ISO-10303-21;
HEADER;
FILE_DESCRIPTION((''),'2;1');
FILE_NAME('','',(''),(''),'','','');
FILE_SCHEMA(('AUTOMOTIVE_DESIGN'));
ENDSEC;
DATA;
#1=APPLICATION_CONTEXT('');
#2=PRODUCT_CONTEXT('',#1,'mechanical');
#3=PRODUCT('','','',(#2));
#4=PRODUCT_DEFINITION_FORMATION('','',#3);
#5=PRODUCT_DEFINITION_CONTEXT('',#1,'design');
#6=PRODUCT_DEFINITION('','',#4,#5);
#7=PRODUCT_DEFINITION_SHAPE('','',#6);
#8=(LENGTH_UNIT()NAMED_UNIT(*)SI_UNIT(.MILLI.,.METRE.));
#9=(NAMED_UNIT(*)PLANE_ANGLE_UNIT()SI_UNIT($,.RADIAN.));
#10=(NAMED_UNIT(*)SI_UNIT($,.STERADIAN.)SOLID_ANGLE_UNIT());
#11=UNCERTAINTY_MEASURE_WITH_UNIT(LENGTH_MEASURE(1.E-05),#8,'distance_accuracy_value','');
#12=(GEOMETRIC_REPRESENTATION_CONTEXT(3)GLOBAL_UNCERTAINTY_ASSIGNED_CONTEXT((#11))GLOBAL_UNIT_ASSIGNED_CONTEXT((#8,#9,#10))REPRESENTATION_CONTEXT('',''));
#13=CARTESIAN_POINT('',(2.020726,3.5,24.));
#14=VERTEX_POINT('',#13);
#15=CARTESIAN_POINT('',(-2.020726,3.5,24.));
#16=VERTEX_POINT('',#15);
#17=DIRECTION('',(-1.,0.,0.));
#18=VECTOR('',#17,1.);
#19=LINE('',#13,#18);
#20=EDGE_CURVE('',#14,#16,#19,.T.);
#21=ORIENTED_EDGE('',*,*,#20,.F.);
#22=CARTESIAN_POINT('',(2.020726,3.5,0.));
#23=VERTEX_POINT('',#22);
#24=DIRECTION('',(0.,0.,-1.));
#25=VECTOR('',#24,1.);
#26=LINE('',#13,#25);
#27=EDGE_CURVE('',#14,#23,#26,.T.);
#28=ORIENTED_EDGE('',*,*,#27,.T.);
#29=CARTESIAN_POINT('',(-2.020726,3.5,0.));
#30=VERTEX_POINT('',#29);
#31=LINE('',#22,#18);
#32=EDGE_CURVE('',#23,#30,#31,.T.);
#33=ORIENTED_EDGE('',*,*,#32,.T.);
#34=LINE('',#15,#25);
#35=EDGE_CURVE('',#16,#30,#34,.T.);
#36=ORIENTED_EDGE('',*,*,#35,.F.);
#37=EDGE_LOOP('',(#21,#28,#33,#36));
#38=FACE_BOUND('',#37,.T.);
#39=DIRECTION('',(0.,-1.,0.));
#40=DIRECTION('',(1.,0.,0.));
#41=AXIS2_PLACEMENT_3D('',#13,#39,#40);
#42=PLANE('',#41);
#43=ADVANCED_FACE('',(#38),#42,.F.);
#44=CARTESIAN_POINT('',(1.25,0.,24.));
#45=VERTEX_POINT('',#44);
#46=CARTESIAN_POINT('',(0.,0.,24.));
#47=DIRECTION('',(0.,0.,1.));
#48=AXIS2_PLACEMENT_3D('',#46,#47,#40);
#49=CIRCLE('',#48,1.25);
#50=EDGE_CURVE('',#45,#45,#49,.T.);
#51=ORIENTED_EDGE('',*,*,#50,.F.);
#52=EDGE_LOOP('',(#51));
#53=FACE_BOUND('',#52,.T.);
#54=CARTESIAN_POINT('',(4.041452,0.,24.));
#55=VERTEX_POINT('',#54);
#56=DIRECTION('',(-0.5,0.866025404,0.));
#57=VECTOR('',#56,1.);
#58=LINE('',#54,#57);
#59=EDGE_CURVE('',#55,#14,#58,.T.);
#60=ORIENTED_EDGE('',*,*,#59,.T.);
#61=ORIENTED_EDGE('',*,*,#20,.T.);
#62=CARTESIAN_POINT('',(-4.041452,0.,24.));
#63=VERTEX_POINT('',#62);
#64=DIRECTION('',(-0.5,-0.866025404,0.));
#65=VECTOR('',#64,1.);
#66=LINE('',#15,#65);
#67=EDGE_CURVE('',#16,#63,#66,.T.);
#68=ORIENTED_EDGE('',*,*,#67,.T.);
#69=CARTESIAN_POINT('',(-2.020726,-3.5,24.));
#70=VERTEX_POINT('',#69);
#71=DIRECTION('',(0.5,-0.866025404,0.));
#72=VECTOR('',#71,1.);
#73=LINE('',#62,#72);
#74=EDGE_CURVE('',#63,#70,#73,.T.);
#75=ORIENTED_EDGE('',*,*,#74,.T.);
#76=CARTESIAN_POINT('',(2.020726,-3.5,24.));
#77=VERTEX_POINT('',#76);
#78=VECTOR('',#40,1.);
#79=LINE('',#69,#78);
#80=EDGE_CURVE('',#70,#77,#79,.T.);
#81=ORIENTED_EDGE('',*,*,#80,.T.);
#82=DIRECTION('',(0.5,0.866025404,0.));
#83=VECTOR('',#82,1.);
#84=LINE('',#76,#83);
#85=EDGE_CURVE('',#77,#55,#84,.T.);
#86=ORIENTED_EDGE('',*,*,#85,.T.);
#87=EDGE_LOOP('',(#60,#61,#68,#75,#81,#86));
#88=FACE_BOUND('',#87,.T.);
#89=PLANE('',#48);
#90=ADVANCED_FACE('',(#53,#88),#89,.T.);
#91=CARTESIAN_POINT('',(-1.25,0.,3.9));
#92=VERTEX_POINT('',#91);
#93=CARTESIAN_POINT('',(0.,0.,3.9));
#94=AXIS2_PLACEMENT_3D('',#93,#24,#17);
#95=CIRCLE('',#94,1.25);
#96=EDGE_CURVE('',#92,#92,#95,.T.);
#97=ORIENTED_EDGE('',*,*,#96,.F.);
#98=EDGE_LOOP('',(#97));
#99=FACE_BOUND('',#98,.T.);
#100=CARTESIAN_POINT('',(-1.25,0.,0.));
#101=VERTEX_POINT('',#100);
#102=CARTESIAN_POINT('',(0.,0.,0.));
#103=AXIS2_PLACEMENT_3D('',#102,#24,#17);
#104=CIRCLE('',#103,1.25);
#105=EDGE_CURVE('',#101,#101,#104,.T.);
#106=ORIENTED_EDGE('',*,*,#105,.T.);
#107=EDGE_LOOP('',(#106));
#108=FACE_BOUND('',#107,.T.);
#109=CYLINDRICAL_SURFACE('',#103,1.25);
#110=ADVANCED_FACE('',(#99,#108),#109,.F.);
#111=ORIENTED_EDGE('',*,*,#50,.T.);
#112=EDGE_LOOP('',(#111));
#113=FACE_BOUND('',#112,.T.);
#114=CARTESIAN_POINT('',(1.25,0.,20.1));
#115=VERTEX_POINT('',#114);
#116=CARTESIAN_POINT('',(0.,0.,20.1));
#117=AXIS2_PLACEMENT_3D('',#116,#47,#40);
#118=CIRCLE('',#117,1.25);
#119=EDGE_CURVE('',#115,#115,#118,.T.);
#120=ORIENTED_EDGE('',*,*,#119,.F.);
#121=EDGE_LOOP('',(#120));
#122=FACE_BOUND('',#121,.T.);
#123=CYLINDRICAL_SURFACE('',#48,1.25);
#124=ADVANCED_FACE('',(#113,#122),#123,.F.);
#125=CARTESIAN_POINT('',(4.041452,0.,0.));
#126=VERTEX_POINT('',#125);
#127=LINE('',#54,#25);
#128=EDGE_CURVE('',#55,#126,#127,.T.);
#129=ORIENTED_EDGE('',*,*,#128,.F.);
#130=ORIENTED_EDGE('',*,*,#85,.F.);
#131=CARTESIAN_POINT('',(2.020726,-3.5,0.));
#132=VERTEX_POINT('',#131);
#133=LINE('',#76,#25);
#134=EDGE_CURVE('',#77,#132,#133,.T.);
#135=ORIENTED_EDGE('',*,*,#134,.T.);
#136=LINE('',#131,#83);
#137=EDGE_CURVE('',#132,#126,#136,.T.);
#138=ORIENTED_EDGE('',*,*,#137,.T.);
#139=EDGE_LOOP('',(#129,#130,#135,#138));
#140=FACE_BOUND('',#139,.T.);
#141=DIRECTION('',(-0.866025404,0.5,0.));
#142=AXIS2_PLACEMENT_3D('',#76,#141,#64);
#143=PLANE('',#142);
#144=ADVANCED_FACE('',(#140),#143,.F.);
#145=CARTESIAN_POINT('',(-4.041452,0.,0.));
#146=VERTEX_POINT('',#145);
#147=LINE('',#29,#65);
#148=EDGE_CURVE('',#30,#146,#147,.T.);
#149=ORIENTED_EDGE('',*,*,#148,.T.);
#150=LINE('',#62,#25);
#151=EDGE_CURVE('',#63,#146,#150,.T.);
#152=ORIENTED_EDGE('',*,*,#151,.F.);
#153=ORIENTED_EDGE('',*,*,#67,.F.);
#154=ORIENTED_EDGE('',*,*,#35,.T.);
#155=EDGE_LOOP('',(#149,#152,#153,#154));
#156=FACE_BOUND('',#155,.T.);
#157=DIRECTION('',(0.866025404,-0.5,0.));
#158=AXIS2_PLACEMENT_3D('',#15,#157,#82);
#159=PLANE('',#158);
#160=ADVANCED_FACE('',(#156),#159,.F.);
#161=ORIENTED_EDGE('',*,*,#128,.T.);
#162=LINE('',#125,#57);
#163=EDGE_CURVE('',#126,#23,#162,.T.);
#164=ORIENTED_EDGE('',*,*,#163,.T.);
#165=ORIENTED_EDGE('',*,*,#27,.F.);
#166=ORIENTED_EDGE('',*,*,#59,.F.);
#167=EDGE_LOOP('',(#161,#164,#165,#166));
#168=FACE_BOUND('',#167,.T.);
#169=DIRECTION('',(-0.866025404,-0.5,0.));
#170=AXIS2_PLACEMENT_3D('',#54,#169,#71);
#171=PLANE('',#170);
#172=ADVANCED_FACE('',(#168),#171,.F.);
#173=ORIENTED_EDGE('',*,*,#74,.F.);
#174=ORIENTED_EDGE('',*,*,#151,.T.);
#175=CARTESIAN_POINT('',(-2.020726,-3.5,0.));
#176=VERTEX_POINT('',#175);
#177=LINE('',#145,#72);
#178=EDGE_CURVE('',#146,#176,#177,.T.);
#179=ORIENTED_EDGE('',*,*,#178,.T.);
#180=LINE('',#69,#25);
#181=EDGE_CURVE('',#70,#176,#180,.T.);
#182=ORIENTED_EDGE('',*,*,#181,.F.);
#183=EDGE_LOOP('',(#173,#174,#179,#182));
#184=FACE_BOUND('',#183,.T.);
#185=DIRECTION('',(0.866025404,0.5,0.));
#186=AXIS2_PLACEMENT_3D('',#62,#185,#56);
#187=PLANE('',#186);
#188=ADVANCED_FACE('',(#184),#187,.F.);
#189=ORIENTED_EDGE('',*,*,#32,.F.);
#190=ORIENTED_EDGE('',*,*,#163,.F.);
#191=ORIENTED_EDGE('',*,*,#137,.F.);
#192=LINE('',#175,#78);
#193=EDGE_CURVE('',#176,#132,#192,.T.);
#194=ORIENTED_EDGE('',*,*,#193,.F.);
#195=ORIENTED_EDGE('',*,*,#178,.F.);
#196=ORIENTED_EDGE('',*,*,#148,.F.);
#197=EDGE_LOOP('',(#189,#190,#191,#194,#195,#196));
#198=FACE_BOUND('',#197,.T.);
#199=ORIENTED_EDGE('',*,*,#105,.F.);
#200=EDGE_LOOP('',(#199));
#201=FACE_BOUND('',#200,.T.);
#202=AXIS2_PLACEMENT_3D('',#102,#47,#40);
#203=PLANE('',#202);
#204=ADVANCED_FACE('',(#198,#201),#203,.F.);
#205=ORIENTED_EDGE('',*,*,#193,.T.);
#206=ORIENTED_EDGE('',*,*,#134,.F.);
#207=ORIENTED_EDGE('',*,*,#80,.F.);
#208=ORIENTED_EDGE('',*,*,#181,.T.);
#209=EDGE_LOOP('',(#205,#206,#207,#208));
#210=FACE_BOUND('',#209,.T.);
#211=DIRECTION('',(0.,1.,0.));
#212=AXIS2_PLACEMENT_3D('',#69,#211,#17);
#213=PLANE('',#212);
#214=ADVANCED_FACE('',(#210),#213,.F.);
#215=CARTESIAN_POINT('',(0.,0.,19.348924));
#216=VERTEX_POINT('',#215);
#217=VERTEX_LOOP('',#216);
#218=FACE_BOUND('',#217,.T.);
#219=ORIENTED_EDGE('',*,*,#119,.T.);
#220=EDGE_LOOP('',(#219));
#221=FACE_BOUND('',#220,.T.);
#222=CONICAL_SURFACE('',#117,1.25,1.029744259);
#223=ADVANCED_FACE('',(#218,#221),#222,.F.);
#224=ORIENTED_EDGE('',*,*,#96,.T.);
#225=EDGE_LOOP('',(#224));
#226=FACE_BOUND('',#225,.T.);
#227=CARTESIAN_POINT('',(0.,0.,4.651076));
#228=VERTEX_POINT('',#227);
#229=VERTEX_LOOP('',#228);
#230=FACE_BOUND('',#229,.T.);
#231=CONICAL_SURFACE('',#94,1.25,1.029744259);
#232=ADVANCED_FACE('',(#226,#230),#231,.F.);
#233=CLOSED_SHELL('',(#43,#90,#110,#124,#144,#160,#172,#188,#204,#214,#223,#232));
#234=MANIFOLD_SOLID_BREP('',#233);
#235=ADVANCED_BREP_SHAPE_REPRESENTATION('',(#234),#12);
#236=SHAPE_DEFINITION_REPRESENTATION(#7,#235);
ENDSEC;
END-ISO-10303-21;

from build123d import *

# Parameters (mm, degrees)
EXTRUDE_1_DEPTH        = 24
HOLE_WIZARD_M3_1_D     = 2.5
HOLE_WIZARD_M3_1_DEPTH = 3.9
HOLE_WIZARD_M3_1_TIP   = 0.751075774
HOLE_WIZARD_M3_2_D     = 2.5
HOLE_WIZARD_M3_2_DEPTH = 3.9
HOLE_WIZARD_M3_2_TIP   = 0.751075774


with BuildPart() as part:
    # 草图1 → 凸台-拉伸1 (new body)
    with BuildSketch(Plane.XY):
        Polygon((4.041451884, 0), (2.020725942, 3.5), (-2.020725942, 3.5), (-4.041451884, 0), (-2.020725942, -3.5), (2.020725942, -3.5), align=None)
    extrude(amount=EXTRUDE_1_DEPTH)

    # M3 螺纹孔1
    with Locations(Plane(origin=(0, 0, 0), x_dir=(-1, 0, 0), z_dir=(0, 0, -1))):
        with Locations((0, 0)):
            Hole(HOLE_WIZARD_M3_1_D / 2, depth=HOLE_WIZARD_M3_1_DEPTH)
            with Locations((0, 0, -(HOLE_WIZARD_M3_1_DEPTH + HOLE_WIZARD_M3_1_TIP / 2))):  # 118° drill point
                Cone(0, HOLE_WIZARD_M3_1_D / 2, HOLE_WIZARD_M3_1_TIP, mode=Mode.SUBTRACT)

    # M3 螺纹孔2
    with Locations(Plane.XY.offset(24)):
        with Locations((0, 0)):
            Hole(HOLE_WIZARD_M3_2_D / 2, depth=HOLE_WIZARD_M3_2_DEPTH)
            with Locations((0, 0, -(HOLE_WIZARD_M3_2_DEPTH + HOLE_WIZARD_M3_2_TIP / 2))):  # 118° drill point
                Cone(0, HOLE_WIZARD_M3_2_D / 2, HOLE_WIZARD_M3_2_TIP, mode=Mode.SUBTRACT)


solid = part.part
